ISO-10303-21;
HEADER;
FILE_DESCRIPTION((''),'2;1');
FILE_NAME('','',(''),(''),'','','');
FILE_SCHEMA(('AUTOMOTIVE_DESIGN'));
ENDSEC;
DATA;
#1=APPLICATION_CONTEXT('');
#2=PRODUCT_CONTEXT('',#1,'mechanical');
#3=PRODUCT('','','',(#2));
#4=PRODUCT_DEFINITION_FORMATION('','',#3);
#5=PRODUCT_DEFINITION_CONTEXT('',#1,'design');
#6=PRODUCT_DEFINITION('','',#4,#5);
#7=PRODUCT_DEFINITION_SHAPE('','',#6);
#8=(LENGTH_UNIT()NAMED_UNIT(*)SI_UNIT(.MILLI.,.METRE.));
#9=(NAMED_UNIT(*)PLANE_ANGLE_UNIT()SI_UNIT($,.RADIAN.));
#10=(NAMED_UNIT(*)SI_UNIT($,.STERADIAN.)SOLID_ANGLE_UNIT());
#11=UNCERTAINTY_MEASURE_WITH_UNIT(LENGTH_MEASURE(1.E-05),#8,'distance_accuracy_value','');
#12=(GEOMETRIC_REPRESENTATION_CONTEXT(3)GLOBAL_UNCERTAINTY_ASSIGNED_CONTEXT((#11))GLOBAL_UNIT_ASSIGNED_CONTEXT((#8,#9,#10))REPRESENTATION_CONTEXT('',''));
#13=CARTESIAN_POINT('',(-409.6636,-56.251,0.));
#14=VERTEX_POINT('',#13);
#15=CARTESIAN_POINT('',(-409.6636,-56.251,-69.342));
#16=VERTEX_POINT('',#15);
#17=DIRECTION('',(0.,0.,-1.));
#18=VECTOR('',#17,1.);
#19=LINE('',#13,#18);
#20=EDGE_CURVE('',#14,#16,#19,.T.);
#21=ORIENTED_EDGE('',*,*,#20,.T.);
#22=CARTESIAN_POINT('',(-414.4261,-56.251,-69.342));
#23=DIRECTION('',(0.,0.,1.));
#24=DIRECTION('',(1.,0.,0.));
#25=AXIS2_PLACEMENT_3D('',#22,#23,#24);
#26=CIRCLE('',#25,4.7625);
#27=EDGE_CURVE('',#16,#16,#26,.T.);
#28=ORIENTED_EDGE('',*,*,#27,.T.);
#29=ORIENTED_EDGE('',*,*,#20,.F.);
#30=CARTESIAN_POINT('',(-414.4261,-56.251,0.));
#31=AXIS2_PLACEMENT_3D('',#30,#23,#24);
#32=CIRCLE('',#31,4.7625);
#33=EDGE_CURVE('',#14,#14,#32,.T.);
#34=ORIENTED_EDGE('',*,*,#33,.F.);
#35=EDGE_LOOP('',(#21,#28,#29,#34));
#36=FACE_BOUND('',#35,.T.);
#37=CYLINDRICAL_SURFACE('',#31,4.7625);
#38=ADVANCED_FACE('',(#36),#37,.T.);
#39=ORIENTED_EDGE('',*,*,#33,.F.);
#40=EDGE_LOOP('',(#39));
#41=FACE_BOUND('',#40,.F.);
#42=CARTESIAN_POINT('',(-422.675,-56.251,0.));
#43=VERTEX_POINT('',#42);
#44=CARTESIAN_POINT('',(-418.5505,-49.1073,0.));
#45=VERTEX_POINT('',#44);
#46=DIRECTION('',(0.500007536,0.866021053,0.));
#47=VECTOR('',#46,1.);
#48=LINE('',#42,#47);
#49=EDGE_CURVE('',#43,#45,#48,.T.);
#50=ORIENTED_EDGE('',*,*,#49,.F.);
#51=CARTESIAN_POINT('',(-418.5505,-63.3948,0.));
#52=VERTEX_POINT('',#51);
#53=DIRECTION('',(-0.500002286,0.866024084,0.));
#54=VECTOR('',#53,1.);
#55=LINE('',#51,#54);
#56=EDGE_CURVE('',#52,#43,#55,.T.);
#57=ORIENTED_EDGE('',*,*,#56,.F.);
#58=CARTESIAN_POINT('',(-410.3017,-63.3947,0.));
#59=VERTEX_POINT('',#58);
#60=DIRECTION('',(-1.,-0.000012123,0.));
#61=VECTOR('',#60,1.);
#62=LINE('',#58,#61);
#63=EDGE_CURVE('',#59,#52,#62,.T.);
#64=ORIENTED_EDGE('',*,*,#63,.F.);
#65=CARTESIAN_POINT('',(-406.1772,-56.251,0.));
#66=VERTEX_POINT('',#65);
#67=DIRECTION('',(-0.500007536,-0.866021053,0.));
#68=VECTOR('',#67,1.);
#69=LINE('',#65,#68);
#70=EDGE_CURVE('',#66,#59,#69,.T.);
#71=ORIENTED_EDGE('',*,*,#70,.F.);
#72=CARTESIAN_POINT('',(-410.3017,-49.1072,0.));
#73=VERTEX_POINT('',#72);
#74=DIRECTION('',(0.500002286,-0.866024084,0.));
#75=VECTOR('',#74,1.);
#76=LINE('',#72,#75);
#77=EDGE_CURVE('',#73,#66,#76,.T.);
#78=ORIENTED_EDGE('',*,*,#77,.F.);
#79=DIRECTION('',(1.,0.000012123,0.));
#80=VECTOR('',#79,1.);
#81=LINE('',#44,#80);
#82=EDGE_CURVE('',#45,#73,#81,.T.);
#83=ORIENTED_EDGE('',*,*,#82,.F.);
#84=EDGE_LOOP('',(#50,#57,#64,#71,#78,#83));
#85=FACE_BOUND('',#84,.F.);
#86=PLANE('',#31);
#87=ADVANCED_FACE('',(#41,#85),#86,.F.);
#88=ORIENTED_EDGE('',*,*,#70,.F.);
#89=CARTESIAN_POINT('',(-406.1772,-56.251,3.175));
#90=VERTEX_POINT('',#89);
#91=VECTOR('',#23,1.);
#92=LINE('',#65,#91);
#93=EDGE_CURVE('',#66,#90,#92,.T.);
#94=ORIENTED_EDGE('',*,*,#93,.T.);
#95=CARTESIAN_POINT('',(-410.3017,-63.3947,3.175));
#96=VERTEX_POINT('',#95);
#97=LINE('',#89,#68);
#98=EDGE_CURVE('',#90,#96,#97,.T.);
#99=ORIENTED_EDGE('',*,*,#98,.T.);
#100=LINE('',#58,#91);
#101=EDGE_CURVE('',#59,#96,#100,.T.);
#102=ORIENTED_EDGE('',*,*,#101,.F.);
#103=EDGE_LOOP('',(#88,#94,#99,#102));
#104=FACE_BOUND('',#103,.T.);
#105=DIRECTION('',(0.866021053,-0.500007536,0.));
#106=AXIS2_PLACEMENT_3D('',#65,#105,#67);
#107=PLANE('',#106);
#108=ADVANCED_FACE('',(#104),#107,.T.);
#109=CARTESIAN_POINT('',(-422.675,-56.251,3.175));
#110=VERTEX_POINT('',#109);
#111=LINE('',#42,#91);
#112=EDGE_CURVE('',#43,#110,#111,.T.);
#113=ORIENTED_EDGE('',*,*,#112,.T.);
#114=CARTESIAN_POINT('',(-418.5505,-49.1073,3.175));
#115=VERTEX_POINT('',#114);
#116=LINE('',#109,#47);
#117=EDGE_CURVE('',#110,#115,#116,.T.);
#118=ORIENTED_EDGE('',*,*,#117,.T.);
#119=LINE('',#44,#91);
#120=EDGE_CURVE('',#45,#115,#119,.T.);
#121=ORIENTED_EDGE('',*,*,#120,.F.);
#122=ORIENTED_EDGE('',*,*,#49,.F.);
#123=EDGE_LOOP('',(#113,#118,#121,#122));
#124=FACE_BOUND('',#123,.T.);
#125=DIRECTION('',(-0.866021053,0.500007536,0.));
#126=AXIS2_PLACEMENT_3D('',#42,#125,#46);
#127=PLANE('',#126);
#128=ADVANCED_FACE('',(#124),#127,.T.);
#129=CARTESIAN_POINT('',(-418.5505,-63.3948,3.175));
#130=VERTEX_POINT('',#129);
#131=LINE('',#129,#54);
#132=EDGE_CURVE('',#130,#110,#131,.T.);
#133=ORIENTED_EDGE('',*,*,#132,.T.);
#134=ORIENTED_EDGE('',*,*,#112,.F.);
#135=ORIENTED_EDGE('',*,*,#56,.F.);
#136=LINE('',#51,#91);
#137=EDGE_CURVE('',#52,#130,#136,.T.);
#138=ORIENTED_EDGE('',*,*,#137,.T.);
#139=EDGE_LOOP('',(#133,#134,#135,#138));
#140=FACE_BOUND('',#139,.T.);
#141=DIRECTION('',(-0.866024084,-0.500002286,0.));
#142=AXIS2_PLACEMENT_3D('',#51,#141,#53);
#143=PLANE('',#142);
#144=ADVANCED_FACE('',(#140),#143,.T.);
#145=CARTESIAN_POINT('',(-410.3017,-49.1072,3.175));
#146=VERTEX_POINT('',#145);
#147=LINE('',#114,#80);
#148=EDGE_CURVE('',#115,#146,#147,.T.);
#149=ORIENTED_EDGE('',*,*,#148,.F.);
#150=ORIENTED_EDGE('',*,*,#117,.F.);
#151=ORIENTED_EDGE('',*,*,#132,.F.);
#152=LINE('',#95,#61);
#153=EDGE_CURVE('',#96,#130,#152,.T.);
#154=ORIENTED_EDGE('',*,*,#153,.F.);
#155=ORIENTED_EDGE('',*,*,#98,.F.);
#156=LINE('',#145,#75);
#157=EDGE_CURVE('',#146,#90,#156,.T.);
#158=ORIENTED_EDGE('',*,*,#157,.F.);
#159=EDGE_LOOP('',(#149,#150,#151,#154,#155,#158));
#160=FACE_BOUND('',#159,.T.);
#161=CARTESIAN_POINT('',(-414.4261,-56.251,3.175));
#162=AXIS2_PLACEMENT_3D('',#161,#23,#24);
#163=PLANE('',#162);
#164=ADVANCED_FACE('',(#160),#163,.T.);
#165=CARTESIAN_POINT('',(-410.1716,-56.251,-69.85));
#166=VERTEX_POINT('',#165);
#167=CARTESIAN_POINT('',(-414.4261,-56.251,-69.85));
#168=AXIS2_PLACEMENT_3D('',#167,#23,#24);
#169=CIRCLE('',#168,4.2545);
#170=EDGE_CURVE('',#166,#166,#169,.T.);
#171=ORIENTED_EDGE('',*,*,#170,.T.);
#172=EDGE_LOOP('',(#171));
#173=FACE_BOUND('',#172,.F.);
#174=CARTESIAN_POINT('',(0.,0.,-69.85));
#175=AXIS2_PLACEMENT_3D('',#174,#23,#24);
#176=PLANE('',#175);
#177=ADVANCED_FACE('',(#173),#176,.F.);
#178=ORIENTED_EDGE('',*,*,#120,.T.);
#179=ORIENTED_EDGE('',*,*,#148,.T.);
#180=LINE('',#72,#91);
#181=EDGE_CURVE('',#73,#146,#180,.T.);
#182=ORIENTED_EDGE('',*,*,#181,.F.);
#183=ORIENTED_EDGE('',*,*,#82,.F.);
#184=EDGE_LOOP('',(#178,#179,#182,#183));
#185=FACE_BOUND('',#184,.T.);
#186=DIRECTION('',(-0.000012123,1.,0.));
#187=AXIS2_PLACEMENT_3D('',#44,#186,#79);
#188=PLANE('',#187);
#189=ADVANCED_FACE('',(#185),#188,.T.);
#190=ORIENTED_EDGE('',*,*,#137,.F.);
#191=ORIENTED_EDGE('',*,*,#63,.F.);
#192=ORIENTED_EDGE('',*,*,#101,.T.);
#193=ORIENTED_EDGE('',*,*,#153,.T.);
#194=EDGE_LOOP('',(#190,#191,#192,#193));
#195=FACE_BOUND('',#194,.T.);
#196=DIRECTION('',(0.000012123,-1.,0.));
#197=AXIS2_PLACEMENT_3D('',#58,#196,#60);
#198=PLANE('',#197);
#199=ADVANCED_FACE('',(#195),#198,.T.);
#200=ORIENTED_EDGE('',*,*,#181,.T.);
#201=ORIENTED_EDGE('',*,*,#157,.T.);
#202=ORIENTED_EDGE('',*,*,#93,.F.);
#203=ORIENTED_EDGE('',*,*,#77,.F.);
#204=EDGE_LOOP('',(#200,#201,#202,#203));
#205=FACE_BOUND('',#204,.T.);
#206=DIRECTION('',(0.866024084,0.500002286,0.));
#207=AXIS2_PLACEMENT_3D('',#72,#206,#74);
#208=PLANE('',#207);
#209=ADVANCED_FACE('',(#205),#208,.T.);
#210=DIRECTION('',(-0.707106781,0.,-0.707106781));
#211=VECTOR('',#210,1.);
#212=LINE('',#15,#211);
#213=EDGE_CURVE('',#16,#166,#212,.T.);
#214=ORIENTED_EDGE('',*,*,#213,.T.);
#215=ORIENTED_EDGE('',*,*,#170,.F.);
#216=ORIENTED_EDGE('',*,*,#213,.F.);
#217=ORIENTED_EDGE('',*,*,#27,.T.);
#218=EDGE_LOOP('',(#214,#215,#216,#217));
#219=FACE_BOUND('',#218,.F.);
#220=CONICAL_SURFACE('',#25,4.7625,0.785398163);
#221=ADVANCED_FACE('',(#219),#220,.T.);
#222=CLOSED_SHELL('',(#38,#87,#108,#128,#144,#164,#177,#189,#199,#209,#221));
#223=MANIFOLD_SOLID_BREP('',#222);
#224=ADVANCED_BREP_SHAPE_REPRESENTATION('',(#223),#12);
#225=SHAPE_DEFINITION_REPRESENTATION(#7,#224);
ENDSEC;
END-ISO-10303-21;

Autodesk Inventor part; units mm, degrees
ref_plane "YZ Plane" through (0, 0, 0) normal (1, 0, 0) x (0, 1, 0)
ref_plane "XZ Plane" through (0, 0, 0) normal (0, 1, 0) x (-1, 0, 0)
ref_plane "XY Plane" through (0, 0, 0) normal (0, 0, 1) x (1, 0, 0)
sketch "Sketch1" plane through (0, 0, 0) normal (0, 0, 1) x (1, 0, 0)
  circle A0 centre (-414.4261, -56.251) radius 4.7625
  point P0 (0, 0)
  dimension "d0" = 9.525
extrude "Extrusion1" add sketch "Sketch1" against normal blind 69.85
sketch "Sketch2" plane through (-414.4261, -56.251, 0) normal (0, 0, 1) x (1, 0, 0)
  circle A0 centre (0, 0) radius 4.7625 projected
  line L0 (-8.2489, 0) -> (-4.1244, 7.1437)
  line L1 (-4.1244, 7.1437) -> (4.1244, 7.1438)
  line L2 (4.1244, 7.1438) -> (8.2489, 0)
  line L3 (8.2489, 0) -> (4.1244, -7.1437)
  line L4 (4.1244, -7.1437) -> (-4.1244, -7.1438)
  line L5 (-4.1244, -7.1438) -> (-8.2489, 0)
  point P0 (414.4261, 56.251)
  dimension "d3" = 14.2875
extrude "Extrusion2" add sketch "Sketch2" along normal blind 3.175 contours A0 | L0 L1 L2 L3 L4 L5
thread "Thread1" size "3/8-16 UNC" class "2A" standard "ANSI Unified Screw Threads" length 25.4
chamfer "Chamfer1" distance 0.508 angle 45 1 edges at (-419.1886, -56.251, -69.85)
properties part number "375 bolt x4" material "Steel"
